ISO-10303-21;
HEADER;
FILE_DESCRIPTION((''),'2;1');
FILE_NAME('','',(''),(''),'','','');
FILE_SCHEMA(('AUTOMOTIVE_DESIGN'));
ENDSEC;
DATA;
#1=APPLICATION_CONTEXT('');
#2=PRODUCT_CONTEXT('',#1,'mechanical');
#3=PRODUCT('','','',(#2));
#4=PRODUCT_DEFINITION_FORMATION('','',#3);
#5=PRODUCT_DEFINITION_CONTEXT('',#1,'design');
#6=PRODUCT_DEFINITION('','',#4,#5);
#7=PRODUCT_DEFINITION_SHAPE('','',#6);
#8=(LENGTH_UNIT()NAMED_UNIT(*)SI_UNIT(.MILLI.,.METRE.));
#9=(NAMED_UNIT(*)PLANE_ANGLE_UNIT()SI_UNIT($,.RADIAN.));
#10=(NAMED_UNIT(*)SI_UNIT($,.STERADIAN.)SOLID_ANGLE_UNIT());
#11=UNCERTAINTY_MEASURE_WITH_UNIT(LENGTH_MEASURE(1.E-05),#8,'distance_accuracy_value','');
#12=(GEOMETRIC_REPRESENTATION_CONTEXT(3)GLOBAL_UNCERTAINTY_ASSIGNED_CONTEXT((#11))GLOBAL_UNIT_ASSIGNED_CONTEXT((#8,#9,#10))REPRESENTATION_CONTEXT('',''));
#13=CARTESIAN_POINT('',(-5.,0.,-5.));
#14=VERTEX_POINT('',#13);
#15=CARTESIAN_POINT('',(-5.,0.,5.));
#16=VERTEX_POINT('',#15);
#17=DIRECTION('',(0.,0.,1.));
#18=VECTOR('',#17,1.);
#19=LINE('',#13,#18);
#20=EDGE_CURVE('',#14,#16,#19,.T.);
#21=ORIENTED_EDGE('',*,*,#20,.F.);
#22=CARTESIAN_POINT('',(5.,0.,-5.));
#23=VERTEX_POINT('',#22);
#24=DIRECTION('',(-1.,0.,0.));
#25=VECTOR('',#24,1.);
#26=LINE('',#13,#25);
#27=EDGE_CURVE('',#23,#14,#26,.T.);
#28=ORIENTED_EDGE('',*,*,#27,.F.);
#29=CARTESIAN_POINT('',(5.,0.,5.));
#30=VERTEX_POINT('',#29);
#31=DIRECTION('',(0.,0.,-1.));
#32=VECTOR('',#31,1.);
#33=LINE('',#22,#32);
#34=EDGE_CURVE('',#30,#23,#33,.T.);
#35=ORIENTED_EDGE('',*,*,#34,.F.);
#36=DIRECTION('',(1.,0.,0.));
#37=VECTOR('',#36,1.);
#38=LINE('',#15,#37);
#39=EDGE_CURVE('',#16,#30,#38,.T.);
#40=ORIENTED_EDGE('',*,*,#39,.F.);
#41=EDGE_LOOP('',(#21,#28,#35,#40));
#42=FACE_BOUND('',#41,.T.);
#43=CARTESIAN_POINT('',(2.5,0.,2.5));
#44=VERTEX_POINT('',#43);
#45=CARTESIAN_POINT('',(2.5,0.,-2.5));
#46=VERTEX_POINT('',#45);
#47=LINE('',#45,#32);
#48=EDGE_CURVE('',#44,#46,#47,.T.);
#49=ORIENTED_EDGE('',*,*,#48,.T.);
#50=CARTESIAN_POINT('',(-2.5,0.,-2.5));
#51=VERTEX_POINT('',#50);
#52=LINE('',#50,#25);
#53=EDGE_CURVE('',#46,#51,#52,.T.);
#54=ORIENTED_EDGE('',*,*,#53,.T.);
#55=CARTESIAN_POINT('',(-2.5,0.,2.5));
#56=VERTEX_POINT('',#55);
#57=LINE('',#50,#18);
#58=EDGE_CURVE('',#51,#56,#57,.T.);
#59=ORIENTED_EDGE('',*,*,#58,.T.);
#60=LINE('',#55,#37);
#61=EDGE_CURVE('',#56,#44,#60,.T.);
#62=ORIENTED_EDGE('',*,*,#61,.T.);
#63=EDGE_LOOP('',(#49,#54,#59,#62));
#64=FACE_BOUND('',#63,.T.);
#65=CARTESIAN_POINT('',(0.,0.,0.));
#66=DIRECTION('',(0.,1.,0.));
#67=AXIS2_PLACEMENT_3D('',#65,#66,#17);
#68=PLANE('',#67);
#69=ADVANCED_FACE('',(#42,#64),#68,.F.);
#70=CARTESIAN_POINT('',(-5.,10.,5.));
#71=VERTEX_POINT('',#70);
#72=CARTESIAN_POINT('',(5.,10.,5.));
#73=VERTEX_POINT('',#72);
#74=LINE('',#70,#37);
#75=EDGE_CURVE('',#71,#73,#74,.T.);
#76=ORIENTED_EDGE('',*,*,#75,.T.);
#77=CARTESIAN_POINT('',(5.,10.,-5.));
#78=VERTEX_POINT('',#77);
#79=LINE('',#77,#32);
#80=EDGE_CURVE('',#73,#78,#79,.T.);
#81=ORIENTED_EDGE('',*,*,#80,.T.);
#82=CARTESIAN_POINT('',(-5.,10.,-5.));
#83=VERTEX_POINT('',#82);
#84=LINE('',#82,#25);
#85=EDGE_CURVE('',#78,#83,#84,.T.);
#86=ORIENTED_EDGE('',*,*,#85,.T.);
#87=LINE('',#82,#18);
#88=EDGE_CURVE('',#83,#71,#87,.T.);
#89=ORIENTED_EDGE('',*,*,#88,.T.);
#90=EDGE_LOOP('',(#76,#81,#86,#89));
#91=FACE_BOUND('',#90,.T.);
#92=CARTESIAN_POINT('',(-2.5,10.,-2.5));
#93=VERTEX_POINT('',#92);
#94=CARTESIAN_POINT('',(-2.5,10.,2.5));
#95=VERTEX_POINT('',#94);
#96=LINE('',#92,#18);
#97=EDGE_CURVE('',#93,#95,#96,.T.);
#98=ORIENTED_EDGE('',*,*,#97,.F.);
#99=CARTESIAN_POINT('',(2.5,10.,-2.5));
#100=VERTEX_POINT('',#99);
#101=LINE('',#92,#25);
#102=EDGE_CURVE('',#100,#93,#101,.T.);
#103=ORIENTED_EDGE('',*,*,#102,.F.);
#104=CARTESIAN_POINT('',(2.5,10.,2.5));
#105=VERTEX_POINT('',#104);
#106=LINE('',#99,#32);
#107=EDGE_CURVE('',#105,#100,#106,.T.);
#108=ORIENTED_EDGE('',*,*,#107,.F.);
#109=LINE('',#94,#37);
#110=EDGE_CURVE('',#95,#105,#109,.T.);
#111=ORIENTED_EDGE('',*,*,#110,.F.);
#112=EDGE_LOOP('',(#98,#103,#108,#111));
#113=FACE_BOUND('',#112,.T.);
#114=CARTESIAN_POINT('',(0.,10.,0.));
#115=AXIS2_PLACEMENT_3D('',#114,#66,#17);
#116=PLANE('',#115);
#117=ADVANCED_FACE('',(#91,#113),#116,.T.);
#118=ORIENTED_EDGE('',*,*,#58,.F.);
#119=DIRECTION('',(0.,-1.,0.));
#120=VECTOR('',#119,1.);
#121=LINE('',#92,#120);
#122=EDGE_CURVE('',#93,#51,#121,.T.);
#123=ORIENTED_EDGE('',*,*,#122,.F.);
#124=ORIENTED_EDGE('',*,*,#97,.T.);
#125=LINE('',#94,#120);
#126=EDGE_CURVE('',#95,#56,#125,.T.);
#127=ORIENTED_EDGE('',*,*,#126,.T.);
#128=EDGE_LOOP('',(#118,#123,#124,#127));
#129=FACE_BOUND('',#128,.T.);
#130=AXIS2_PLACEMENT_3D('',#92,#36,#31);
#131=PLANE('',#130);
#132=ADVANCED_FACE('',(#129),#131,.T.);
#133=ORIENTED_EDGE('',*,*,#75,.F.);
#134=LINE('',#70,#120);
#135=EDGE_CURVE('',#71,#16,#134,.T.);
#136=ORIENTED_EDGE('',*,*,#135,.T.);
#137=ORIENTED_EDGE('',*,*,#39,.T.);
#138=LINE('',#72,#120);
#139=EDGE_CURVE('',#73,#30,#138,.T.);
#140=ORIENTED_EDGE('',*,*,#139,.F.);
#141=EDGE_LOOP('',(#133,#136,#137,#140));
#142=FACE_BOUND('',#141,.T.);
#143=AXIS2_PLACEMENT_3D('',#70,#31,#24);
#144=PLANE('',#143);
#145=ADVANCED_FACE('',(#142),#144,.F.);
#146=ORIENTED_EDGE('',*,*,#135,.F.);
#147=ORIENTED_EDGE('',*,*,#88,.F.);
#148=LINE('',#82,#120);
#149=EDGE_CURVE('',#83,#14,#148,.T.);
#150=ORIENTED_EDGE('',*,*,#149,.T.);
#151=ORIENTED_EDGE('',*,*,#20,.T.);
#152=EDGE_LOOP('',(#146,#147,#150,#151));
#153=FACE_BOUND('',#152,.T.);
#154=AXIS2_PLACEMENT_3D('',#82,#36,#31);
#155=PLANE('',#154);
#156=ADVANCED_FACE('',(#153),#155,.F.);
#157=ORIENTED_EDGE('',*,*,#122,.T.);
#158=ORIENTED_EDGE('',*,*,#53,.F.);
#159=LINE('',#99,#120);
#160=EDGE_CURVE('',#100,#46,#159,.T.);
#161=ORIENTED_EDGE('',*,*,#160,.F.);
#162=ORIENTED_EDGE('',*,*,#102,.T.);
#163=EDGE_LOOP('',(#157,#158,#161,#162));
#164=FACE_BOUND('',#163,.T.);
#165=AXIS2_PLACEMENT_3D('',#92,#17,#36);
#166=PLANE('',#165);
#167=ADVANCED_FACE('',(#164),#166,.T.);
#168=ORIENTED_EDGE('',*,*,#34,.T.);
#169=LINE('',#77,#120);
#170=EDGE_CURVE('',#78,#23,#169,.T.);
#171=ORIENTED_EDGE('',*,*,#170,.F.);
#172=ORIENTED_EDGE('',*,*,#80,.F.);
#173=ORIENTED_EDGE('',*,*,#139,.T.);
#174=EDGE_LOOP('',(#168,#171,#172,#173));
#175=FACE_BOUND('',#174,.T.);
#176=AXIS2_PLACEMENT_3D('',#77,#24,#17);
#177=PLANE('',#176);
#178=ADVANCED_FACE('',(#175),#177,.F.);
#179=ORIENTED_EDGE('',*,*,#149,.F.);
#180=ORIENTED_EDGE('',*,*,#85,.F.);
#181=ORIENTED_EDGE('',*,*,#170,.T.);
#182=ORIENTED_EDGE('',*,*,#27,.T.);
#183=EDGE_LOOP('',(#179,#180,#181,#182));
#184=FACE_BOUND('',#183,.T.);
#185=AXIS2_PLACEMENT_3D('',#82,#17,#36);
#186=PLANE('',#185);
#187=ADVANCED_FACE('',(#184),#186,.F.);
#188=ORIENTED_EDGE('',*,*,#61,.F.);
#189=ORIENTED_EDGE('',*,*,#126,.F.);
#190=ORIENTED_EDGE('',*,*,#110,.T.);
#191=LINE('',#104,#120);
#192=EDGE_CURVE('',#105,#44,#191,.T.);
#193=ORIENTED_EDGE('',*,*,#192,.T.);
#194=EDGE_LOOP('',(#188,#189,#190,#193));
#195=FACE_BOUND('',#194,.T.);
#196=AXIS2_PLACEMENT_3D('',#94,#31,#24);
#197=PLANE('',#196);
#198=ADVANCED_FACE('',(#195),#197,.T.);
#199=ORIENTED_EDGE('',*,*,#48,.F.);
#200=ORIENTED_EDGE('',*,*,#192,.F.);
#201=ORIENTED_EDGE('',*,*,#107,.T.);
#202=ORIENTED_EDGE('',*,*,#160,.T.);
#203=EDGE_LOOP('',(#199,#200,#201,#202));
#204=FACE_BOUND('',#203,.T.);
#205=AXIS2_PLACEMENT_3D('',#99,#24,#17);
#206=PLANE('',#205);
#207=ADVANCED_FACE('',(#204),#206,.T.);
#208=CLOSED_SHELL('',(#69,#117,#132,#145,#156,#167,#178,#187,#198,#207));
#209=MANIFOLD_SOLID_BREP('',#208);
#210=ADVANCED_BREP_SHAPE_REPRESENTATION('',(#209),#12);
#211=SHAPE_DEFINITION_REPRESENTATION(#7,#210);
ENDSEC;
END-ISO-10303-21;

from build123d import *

# Parameters (mm, degrees)
SKETCH1_W           = 10
SKETCH1_H           = 10
SKETCH1_W_2         = 5
SKETCH1_H_2         = 5
BOSS_EXTRUDE1_DEPTH = 10


with BuildPart() as part:
    # Sketch1 → Boss-Extrude1 (new body)
    with BuildSketch(Plane(origin=(0, 0, 0), x_dir=(1, 0, 0), z_dir=(0, 1, 0))):
        Rectangle(SKETCH1_W, SKETCH1_H)
        Rectangle(SKETCH1_W_2, SKETCH1_H_2, mode=Mode.SUBTRACT)
    extrude(amount=BOSS_EXTRUDE1_DEPTH)


solid = part.part
